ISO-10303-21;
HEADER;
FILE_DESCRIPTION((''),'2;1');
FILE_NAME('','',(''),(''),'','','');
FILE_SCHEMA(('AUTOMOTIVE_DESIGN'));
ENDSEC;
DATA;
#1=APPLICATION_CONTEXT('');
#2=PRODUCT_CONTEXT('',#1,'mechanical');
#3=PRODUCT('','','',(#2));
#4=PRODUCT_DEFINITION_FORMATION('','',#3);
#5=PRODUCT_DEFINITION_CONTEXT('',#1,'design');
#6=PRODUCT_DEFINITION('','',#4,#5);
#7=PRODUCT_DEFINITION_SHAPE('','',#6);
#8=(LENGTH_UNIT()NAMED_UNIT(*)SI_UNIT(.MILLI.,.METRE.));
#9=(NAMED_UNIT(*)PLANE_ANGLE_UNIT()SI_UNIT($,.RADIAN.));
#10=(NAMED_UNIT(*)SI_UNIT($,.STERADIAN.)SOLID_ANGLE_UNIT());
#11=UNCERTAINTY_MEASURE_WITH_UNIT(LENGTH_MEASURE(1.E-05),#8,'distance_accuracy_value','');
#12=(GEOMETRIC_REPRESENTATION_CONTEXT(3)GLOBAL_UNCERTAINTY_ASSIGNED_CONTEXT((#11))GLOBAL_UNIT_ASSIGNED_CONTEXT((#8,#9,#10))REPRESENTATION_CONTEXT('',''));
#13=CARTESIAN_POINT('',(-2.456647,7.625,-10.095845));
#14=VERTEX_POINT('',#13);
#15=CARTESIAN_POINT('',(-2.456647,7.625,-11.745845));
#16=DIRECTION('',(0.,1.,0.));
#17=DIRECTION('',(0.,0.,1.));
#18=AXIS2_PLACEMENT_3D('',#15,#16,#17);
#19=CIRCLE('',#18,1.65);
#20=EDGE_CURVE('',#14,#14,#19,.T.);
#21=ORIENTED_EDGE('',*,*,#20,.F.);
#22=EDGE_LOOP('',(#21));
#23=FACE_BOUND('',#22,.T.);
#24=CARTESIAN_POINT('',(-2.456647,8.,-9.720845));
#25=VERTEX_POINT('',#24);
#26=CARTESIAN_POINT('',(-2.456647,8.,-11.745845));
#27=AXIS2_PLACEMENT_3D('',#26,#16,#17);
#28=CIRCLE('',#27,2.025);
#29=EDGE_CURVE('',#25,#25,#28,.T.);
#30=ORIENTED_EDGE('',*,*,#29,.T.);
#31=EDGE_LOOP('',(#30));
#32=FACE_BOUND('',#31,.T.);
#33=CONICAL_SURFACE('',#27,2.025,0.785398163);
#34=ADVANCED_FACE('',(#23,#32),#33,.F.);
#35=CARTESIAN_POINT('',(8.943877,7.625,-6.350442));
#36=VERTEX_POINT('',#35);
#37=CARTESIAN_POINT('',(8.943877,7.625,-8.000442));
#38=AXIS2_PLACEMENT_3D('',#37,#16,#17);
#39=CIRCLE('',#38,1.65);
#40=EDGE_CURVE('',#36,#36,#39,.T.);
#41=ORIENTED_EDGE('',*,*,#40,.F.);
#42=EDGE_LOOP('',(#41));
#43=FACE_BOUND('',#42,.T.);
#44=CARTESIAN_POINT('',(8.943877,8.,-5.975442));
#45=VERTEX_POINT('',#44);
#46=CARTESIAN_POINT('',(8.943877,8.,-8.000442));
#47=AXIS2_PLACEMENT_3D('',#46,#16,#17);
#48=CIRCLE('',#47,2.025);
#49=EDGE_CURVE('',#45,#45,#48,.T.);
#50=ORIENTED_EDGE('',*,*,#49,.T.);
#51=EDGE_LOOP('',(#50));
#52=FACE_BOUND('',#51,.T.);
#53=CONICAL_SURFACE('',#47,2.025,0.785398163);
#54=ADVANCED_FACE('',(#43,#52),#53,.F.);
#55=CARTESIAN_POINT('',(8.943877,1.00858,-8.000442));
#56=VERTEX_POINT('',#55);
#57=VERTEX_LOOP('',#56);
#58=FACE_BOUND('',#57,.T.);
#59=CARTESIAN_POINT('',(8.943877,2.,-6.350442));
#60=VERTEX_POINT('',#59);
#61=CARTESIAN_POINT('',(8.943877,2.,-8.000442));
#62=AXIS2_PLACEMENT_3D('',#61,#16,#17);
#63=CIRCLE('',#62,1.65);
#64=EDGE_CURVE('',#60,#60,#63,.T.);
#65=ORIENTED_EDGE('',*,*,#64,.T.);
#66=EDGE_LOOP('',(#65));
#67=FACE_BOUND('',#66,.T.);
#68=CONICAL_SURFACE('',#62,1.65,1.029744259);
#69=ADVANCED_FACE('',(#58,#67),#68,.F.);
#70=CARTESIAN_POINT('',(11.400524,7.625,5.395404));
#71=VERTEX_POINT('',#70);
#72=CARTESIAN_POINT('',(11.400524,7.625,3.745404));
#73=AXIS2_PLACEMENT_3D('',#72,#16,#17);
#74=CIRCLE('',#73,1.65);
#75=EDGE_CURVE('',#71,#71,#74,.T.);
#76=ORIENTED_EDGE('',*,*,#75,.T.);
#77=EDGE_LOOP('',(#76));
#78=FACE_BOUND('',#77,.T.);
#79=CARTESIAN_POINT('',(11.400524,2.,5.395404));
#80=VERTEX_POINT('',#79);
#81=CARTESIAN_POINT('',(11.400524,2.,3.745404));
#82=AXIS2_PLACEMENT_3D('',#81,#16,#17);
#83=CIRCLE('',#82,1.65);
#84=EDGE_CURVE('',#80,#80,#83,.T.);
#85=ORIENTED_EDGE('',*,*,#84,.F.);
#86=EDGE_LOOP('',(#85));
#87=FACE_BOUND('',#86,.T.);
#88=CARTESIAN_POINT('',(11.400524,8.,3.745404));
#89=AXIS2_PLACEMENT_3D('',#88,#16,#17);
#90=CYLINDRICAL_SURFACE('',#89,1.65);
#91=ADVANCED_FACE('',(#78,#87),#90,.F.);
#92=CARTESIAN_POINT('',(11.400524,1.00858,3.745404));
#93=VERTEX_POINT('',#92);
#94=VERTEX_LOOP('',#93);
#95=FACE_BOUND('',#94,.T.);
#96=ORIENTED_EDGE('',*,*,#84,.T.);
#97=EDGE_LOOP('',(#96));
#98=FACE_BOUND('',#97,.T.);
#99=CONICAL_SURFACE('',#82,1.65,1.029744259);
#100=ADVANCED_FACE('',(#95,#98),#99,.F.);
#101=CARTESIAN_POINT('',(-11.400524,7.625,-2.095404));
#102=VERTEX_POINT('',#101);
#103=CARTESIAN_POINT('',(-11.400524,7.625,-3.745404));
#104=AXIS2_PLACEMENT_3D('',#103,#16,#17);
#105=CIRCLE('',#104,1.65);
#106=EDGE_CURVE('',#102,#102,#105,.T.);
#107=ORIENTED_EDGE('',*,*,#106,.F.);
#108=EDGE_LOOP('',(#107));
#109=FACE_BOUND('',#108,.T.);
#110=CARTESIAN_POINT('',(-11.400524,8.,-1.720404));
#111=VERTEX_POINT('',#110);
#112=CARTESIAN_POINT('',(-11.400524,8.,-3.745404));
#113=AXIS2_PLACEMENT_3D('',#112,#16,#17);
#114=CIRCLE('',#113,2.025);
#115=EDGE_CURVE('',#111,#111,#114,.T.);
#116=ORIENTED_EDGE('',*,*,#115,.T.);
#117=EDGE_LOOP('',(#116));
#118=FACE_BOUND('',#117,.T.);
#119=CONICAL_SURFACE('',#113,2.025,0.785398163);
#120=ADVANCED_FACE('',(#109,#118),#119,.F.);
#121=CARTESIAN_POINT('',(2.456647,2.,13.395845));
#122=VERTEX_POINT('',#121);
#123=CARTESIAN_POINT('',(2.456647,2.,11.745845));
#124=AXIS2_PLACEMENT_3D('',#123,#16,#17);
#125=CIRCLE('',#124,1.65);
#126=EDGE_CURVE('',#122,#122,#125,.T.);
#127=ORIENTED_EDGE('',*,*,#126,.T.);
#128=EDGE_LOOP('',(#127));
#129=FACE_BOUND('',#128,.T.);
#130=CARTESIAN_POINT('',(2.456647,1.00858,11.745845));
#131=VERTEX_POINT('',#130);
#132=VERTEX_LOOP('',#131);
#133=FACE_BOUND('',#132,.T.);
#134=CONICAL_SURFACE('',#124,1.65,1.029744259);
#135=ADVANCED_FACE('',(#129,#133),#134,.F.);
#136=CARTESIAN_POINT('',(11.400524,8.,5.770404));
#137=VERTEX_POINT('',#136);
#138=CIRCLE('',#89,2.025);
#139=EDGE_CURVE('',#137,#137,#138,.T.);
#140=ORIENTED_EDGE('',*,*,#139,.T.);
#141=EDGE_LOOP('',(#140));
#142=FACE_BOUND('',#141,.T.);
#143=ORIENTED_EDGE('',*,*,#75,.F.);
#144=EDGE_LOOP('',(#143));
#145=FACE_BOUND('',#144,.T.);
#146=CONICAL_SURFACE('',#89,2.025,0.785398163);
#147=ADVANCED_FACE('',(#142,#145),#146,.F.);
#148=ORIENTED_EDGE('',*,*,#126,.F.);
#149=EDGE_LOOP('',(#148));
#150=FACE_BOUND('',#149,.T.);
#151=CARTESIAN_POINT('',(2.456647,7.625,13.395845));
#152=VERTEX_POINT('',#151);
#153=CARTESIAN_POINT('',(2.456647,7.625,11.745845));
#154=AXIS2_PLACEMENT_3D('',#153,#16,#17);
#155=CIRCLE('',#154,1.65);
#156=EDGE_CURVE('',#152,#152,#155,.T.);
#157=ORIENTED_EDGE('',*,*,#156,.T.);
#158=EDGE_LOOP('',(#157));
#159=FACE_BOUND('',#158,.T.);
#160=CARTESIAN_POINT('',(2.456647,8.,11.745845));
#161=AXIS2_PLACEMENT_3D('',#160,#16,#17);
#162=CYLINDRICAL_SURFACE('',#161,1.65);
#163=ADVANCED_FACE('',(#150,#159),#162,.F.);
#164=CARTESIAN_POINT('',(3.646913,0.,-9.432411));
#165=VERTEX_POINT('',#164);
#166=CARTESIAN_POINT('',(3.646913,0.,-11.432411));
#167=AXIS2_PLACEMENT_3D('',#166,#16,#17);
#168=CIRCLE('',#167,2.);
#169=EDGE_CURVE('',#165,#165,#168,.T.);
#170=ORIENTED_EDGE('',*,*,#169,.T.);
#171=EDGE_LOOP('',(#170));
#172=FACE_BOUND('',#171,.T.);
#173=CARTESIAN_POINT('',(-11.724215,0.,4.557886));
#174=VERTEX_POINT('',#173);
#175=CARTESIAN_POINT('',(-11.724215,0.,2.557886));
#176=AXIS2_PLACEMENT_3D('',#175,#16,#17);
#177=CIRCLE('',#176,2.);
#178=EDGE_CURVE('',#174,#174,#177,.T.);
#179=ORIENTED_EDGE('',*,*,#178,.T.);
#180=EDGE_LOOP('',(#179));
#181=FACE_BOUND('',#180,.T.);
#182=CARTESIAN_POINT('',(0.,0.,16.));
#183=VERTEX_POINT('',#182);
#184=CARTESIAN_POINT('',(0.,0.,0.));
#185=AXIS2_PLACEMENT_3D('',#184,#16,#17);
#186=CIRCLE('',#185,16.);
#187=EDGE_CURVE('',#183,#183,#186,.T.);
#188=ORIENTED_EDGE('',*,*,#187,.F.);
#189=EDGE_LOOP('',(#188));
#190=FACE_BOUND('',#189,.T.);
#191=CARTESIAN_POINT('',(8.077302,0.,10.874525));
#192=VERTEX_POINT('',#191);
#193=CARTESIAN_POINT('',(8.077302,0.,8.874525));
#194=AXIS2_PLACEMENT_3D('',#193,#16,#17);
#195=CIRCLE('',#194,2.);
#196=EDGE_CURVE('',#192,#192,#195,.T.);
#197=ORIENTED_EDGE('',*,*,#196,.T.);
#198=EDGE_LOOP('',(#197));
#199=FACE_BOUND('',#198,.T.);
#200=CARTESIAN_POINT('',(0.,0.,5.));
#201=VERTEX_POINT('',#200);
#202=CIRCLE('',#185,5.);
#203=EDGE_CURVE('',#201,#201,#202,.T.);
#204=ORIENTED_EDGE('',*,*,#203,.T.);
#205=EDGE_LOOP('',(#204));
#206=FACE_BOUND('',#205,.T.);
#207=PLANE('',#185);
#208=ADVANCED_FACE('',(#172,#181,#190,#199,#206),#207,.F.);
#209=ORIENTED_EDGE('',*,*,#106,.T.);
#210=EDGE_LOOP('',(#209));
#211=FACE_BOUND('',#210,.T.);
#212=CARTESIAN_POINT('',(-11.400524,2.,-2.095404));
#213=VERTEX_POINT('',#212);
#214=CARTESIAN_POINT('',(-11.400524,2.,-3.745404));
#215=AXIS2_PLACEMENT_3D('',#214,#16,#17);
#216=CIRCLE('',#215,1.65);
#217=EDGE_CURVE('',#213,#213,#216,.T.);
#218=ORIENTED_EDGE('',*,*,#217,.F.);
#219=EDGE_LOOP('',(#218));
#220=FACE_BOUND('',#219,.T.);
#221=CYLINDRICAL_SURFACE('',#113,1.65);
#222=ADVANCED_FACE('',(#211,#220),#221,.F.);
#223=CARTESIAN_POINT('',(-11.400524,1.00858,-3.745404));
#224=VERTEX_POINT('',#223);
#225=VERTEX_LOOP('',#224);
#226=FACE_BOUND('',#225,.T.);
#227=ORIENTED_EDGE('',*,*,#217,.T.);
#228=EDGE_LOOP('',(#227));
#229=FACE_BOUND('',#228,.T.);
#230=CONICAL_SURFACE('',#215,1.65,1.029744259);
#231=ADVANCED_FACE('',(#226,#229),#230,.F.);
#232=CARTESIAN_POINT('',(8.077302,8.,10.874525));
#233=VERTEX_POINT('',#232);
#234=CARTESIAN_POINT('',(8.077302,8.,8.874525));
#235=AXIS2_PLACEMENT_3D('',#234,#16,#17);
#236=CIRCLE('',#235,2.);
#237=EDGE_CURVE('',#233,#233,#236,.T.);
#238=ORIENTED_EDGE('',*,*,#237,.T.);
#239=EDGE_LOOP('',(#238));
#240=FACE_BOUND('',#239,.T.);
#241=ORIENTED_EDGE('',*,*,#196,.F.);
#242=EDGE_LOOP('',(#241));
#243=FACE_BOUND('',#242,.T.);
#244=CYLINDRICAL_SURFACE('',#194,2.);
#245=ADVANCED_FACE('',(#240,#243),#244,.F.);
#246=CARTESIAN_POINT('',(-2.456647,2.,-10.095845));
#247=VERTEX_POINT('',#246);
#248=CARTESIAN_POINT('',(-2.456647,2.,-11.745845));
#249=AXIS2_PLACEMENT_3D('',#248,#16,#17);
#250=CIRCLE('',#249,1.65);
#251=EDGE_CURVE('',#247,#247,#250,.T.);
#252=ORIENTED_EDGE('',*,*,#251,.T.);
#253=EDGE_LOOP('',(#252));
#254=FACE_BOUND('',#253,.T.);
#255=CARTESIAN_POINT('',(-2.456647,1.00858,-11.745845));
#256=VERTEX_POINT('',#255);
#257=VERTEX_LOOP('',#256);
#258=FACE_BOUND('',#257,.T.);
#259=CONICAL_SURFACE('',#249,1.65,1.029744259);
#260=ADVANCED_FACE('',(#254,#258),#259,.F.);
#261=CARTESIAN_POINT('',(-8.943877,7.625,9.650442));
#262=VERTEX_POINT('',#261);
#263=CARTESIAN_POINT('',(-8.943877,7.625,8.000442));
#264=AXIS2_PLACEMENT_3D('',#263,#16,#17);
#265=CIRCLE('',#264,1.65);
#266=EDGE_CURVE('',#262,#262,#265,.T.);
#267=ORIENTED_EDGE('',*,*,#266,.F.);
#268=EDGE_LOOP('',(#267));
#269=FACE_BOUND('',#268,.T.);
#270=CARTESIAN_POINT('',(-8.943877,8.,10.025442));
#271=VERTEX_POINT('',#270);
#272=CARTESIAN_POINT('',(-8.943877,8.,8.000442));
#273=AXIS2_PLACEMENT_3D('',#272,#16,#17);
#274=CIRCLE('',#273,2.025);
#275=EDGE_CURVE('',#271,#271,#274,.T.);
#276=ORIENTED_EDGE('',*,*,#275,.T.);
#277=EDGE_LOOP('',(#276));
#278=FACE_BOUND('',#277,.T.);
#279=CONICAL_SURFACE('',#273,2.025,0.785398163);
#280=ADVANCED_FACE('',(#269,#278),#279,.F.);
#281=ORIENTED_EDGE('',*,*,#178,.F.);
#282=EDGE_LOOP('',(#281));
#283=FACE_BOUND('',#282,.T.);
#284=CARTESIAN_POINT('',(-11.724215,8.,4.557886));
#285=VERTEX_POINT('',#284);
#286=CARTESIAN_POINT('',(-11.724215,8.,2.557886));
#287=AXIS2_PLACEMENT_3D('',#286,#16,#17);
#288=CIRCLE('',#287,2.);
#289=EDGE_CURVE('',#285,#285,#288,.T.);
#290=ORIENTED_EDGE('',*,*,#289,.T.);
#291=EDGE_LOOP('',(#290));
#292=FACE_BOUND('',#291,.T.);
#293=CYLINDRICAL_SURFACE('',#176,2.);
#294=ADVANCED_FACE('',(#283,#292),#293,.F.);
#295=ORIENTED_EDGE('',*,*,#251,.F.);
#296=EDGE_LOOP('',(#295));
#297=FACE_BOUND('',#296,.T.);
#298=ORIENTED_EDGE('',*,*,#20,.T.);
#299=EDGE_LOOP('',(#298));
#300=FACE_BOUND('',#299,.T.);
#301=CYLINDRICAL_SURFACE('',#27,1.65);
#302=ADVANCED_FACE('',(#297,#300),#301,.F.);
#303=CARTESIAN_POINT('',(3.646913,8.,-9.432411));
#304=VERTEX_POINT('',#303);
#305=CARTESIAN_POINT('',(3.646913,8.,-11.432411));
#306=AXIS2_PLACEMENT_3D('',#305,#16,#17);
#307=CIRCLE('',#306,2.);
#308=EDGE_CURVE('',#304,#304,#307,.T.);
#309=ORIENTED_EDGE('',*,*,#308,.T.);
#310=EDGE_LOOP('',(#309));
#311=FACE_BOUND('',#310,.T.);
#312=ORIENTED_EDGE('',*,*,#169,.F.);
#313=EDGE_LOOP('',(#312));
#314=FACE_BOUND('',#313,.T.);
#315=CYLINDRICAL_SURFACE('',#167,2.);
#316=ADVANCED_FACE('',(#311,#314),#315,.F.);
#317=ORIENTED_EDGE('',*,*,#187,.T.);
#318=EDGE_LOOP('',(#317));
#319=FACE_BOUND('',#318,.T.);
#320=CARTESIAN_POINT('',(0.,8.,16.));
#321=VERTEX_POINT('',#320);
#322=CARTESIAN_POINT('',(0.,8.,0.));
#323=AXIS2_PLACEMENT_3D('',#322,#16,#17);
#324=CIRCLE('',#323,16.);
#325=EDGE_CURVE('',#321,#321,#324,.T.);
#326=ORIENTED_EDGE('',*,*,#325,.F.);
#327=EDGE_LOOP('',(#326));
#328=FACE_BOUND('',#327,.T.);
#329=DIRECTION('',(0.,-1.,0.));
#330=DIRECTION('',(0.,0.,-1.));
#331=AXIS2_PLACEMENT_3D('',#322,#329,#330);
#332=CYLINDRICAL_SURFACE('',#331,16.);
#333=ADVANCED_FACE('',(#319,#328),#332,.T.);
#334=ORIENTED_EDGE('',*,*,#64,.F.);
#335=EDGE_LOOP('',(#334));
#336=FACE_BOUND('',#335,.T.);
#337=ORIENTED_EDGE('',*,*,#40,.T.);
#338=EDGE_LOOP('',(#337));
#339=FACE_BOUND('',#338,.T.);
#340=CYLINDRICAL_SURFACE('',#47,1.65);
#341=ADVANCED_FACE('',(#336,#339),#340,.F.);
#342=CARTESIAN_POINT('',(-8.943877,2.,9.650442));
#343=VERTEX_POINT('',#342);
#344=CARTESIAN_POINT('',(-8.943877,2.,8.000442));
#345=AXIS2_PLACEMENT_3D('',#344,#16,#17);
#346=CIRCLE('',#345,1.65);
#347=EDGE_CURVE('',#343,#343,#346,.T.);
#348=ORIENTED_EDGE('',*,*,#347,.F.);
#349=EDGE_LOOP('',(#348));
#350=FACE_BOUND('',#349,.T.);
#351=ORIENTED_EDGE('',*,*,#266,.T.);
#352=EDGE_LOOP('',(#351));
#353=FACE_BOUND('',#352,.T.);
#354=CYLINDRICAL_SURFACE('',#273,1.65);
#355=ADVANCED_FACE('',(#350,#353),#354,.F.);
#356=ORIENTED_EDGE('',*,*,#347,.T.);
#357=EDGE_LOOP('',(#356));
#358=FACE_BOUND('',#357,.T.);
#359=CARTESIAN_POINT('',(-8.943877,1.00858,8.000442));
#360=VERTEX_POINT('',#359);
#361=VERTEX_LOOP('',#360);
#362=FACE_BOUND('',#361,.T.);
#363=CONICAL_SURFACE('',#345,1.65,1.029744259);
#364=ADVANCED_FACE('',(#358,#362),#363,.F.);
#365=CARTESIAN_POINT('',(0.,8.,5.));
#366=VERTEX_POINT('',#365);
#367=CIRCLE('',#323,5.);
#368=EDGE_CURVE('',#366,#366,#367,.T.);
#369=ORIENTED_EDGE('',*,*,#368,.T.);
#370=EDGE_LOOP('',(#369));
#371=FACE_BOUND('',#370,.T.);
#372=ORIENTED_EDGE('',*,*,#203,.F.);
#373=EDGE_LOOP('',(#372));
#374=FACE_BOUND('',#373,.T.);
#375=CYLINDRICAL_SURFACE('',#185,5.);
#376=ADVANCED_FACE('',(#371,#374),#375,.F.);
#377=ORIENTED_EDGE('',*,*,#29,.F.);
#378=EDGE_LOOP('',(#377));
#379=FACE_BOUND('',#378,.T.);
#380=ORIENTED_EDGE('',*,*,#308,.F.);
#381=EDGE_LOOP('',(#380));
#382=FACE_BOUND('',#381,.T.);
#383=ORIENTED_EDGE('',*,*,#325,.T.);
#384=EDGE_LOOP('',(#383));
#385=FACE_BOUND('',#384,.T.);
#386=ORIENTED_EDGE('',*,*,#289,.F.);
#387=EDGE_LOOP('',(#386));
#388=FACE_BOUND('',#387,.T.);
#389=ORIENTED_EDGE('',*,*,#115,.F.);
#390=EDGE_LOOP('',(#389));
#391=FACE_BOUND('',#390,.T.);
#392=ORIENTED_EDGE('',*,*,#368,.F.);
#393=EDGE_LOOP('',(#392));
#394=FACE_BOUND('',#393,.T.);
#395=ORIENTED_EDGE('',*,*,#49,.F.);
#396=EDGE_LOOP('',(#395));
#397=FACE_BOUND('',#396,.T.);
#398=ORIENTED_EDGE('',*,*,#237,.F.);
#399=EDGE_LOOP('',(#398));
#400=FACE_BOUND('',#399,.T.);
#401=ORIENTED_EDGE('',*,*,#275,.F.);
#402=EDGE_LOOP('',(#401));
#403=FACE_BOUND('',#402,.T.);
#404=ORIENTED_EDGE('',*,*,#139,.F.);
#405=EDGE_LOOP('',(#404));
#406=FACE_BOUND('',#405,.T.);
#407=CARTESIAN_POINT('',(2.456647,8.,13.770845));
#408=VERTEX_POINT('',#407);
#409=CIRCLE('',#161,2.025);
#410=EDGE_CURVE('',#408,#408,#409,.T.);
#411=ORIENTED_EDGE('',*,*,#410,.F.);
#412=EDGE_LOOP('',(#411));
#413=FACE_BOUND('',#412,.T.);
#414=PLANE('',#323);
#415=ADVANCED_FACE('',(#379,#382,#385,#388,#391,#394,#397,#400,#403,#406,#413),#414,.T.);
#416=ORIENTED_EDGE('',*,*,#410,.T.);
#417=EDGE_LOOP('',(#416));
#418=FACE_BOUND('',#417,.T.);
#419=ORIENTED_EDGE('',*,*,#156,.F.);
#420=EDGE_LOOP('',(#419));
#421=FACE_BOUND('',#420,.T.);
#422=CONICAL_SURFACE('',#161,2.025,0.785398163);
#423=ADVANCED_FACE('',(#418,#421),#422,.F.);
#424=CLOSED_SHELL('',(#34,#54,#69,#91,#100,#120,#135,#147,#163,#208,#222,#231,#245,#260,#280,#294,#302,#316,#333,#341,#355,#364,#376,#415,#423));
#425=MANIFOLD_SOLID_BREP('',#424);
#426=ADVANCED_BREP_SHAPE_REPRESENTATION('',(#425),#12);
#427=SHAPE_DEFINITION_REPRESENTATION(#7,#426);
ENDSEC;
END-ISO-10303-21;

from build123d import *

# Parameters (mm, degrees)
SKETCH_1_R                   = 16
EXTRUDE_1_DEPTH              = 8
HOLE_WIZARD_M4_1_D           = 3.3
HOLE_WIZARD_M4_1_DEPTH       = 6
HOLE_WIZARD_M4_1_CSINK_D     = 4.05
HOLE_WIZARD_M4_1_CSINK_ANGLE = 90
HOLE_WIZARD_M4_1_TIP         = 0.991420021
SKETCH_5_R                   = 2
CUT_EXTRUDE_1_DEPTH          = 8
SKETCH_6_R                   = 5
CUT_EXTRUDE_2_DEPTH          = 8


with BuildPart() as part:
    # 草图1 → 凸台-拉伸1 (new body)
    with BuildSketch(Plane(origin=(0, 0, 0), x_dir=(1, 0, 0), z_dir=(0, 1, 0))):
        with Locations(Location((0, 0, 0), (0, 0, 270))):
            Circle(SKETCH_1_R)
    extrude(amount=EXTRUDE_1_DEPTH)

    # M4 螺纹孔1
    with Locations(Plane(origin=(0, 8, 0), x_dir=(1, 0, 0), z_dir=(0, 1, 0))):
        with Locations((-11.400524182, 3.745403632), (-2.456647399, 11.745845374), (8.943876784, 8.000441742), (11.400524182, -3.745403632), (2.456647399, -11.745845374), (-8.943876784, -8.000441742)):
            CounterSinkHole(HOLE_WIZARD_M4_1_D / 2, HOLE_WIZARD_M4_1_CSINK_D / 2, depth=HOLE_WIZARD_M4_1_DEPTH, counter_sink_angle=HOLE_WIZARD_M4_1_CSINK_ANGLE)
            with Locations((0, 0, -(HOLE_WIZARD_M4_1_DEPTH + HOLE_WIZARD_M4_1_TIP / 2))):  # 118° drill point
                Cone(0, HOLE_WIZARD_M4_1_D / 2, HOLE_WIZARD_M4_1_TIP, mode=Mode.SUBTRACT)

    # 草图5 → 切除-拉伸1 (cut)
    with BuildSketch(Plane(origin=(0, 8, 0), x_dir=(1, 0, 0), z_dir=(0, 1, 0))):
        with Locations(Location((3.646912878, 11.432411227, 0), (0, 0, 270))):
            Circle(SKETCH_5_R)
        with Locations(Location((8.07730211, -8.874524811, 0), (0, 0, 270))):
            Circle(SKETCH_5_R)
        with Locations(Location((-11.724214988, -2.557886415, 0), (0, 0, 270))):
            Circle(SKETCH_5_R)
    extrude(amount=-CUT_EXTRUDE_1_DEPTH, mode=Mode.SUBTRACT)

    # 草图6 → 切除-拉伸2 (cut)
    with BuildSketch(Plane(origin=(0, 8, 0), x_dir=(1, 0, 0), z_dir=(0, 1, 0))):
        with Locations(Location((0, 0, 0), (0, 0, 270))):
            Circle(SKETCH_6_R)
    extrude(amount=-CUT_EXTRUDE_2_DEPTH, mode=Mode.SUBTRACT)


solid = part.part
